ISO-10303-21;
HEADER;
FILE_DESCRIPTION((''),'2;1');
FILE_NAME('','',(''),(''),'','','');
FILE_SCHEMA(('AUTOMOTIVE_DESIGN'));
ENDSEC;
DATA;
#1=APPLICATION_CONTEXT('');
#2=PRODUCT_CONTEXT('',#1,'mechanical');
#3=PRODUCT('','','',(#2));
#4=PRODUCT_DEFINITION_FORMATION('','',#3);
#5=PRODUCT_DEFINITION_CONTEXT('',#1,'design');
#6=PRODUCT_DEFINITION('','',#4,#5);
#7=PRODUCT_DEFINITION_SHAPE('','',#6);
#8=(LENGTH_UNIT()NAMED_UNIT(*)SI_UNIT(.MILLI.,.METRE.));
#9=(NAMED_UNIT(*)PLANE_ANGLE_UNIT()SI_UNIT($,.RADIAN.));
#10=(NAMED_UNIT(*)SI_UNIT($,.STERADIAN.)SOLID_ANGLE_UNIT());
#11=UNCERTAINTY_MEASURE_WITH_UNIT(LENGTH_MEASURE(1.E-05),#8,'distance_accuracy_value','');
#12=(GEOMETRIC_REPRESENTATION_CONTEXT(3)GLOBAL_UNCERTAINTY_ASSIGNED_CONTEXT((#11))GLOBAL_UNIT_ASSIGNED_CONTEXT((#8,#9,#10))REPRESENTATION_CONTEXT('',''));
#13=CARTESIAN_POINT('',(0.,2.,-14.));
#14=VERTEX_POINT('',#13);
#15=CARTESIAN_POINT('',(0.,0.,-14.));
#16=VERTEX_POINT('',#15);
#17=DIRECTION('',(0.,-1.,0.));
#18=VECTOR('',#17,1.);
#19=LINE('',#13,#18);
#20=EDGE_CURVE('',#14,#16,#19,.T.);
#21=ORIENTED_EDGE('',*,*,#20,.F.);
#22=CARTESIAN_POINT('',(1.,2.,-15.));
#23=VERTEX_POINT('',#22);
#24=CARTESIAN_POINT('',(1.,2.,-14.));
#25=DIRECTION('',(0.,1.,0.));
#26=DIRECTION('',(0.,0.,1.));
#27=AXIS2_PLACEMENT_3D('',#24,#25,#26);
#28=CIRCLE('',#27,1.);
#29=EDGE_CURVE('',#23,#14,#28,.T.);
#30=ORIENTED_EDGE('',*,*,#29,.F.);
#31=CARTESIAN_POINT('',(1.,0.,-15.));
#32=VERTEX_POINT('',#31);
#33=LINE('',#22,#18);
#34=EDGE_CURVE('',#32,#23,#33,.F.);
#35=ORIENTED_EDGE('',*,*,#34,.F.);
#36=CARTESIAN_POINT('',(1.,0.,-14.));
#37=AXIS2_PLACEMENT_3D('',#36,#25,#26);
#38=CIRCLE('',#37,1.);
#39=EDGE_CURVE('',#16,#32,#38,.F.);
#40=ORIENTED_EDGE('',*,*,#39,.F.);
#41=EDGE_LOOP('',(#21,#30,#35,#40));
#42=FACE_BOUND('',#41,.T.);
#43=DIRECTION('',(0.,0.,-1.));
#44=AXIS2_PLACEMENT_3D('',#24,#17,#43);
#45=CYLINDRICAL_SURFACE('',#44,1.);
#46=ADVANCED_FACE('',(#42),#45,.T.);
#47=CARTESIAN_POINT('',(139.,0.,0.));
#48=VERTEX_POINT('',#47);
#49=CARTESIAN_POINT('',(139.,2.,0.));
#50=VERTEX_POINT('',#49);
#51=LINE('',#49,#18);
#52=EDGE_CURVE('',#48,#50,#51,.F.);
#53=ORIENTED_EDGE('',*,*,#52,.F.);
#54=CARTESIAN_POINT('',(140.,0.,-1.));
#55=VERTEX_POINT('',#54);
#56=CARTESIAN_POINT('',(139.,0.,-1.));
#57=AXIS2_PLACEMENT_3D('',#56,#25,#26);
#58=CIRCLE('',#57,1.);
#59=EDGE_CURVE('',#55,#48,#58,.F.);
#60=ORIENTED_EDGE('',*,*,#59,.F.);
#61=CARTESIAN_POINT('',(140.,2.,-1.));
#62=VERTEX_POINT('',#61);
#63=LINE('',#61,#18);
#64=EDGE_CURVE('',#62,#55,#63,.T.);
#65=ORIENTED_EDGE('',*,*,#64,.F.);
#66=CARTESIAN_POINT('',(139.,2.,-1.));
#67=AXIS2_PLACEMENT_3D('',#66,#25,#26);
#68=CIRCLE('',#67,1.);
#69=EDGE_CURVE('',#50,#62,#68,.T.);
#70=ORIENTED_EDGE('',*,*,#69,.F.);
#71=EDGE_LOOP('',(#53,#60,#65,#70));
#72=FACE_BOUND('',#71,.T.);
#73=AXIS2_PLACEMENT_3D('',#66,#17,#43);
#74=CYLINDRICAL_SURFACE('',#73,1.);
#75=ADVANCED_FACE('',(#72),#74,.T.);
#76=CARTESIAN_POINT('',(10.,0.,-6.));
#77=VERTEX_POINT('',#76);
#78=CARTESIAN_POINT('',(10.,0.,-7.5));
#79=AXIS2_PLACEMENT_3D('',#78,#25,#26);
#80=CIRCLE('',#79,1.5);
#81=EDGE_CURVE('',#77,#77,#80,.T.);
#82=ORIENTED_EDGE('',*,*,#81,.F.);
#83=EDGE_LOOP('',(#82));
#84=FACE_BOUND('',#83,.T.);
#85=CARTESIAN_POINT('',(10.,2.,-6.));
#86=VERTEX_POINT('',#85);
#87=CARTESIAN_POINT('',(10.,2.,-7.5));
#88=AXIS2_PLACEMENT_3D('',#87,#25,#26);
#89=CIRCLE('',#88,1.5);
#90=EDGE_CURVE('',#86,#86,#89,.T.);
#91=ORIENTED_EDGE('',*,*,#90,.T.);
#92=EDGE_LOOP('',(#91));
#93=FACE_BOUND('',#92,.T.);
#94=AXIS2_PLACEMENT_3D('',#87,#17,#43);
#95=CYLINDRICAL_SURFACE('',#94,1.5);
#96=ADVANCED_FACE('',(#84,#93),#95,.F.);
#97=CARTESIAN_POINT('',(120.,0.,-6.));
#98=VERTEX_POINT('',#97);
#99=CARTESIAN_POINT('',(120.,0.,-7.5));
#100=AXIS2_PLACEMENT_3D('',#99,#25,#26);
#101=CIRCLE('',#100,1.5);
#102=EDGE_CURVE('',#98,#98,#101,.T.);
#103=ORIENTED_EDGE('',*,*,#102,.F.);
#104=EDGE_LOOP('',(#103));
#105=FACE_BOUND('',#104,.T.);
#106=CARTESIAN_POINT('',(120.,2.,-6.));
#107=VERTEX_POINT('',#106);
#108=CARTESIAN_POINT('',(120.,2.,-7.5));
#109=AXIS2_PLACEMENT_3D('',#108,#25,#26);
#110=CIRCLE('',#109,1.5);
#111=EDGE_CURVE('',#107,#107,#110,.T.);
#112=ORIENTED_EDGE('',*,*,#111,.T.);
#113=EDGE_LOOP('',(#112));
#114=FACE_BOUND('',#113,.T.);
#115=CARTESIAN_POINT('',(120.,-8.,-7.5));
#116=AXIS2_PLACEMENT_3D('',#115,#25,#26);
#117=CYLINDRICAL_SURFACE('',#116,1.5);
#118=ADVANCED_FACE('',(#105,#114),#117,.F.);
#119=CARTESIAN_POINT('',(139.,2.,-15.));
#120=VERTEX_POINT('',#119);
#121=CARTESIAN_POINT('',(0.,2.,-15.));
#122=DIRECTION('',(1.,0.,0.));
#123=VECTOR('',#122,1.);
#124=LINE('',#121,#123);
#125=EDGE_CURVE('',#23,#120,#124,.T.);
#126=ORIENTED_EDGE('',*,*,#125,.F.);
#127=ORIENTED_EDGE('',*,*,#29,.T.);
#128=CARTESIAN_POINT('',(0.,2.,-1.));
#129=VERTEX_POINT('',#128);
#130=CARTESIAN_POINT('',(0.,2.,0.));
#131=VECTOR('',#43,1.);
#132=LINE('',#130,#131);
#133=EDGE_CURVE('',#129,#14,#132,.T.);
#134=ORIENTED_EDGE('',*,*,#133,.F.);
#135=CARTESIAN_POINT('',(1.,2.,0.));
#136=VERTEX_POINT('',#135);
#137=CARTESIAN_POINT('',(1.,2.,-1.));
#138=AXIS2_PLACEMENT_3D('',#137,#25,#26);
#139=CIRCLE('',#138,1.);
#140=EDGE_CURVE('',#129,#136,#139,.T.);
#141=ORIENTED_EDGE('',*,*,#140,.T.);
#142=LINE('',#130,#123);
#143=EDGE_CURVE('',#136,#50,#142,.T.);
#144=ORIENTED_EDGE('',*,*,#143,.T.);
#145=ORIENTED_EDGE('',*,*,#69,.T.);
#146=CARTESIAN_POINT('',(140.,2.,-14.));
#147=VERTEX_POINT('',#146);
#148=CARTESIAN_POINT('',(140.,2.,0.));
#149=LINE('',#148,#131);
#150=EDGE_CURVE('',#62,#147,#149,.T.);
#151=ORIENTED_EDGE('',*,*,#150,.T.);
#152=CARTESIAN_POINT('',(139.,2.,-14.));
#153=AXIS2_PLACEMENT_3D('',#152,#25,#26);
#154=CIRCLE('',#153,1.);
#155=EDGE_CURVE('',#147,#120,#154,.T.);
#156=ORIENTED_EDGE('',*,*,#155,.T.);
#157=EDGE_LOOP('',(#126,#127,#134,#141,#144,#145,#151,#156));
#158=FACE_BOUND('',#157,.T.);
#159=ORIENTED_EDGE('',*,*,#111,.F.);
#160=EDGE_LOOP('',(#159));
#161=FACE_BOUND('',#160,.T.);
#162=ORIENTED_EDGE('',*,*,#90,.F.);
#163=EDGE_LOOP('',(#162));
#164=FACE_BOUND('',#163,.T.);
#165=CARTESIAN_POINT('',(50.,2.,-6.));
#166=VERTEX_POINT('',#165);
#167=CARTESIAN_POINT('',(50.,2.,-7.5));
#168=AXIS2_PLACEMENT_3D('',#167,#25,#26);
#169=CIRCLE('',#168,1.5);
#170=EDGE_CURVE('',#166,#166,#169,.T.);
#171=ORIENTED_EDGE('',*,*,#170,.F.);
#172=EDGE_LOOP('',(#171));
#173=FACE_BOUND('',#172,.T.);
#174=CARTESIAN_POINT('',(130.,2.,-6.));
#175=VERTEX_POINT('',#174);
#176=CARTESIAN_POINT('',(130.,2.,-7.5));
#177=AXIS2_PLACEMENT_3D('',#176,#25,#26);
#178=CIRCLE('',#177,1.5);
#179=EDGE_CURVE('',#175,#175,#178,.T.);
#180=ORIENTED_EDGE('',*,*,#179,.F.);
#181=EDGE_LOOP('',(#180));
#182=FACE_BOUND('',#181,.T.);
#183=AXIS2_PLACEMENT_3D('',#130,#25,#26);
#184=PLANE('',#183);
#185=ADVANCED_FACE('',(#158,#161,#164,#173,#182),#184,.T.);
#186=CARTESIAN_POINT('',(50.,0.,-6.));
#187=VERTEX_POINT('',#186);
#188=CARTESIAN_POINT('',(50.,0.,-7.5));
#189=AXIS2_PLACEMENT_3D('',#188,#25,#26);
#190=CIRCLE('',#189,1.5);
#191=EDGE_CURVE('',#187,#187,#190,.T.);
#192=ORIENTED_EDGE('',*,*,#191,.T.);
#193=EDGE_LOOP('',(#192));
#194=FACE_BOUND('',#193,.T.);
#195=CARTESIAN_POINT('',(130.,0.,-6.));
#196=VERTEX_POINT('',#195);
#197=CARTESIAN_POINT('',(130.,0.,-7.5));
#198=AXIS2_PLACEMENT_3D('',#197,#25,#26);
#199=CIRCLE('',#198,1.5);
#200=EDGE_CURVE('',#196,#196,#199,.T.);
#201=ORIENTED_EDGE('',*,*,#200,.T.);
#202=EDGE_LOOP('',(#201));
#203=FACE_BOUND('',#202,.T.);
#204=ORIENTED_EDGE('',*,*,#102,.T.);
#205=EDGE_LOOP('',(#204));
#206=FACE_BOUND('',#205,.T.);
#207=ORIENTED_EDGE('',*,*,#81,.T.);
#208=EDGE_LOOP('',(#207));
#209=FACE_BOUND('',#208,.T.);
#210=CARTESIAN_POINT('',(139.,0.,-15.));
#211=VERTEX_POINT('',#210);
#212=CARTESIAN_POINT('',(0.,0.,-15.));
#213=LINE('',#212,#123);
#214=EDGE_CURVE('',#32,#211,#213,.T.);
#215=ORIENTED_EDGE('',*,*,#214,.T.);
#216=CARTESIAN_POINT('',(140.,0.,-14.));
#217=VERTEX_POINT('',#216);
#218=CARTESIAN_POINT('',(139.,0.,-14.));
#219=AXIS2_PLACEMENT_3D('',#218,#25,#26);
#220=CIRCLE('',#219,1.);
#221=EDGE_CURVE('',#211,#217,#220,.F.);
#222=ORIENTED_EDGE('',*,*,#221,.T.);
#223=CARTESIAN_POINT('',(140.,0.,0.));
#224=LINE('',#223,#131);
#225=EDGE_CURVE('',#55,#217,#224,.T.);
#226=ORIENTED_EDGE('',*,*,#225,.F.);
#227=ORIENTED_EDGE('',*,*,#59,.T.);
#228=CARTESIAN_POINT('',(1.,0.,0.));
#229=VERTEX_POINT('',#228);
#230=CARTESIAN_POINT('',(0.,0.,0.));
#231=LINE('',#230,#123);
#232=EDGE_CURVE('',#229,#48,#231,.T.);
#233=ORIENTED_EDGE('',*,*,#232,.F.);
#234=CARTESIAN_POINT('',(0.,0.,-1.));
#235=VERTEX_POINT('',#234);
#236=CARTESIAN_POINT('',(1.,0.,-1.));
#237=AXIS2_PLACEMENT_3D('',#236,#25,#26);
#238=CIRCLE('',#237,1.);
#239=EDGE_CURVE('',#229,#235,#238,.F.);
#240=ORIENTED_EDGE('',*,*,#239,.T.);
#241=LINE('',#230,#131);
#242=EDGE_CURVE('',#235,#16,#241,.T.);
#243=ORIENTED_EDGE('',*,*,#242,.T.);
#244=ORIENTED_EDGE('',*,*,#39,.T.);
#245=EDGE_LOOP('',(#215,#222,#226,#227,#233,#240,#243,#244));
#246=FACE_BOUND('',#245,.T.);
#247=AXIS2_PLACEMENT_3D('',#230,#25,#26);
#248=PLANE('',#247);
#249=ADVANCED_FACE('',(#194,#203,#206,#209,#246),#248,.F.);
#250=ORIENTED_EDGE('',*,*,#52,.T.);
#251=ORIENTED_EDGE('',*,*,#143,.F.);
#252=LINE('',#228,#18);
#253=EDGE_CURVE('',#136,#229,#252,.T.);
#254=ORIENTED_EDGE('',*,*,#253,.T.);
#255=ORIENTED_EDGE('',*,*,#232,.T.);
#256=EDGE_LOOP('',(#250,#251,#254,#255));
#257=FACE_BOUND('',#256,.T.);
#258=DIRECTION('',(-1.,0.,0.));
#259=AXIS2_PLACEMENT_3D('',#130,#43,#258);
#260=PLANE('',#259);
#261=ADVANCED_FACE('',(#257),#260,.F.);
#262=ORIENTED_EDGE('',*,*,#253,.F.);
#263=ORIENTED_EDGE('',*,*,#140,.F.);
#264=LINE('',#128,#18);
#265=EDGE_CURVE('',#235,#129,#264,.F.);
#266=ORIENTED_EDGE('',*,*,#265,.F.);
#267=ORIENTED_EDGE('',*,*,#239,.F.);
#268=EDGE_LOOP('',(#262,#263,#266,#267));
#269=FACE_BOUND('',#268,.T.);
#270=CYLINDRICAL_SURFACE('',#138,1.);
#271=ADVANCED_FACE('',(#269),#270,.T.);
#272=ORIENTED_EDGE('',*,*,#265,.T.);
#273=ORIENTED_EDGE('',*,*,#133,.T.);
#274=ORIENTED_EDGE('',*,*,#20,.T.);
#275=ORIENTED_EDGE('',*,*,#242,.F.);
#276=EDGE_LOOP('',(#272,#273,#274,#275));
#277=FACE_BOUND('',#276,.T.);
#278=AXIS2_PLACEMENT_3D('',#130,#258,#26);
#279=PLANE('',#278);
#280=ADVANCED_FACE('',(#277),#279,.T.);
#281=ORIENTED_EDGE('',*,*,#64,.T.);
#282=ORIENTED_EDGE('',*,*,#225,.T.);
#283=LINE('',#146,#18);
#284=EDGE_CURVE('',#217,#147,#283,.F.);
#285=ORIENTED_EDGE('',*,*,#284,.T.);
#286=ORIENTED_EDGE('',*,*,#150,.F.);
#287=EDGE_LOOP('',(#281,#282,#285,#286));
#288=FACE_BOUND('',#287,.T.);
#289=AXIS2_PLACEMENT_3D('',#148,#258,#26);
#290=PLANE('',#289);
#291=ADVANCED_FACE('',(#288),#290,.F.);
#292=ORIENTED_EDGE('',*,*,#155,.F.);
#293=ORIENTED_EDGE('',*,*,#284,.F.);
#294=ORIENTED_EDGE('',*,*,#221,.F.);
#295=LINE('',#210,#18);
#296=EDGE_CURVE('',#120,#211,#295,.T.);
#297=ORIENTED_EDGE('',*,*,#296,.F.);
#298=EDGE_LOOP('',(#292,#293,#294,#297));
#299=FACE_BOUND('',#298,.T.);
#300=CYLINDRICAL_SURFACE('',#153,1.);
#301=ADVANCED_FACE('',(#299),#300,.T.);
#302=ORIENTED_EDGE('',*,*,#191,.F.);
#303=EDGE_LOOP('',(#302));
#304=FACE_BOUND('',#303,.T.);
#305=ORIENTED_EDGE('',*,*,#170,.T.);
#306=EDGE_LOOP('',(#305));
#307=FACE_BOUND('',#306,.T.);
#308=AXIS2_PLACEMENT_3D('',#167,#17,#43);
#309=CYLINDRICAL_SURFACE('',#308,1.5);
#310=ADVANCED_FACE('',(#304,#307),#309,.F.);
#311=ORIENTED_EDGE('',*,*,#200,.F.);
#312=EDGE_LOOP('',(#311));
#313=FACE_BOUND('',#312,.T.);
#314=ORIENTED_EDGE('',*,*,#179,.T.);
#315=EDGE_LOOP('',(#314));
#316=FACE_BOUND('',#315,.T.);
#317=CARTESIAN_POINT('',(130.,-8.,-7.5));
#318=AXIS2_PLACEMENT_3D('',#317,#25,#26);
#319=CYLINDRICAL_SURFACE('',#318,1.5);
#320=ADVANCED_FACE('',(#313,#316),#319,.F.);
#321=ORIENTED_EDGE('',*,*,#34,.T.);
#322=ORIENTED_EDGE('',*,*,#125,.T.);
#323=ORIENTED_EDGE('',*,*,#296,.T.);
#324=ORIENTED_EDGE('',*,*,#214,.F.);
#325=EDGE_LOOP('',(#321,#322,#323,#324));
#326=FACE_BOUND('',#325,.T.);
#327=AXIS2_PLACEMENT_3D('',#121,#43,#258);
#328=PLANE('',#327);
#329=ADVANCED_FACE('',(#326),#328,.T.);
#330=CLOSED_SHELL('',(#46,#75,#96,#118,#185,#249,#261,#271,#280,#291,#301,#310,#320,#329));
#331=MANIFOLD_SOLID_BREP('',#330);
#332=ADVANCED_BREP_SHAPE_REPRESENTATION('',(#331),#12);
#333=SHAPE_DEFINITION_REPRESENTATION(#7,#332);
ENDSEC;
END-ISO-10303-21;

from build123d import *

# Parameters (mm, degrees)
BOSS_EXTRUDE1_DEPTH = 2
FILLET1_R           = 1
SKETCH2_R           = 1.5
CUT_EXTRUDE1_DEPTH  = 10


with BuildPart() as part:
    # Sketch1 → Boss-Extrude1 (new body)
    with BuildSketch(Plane(origin=(0, 0, 0), x_dir=(1, 0, 0), z_dir=(0, 1, 0))):
        with BuildLine():
            ThreePointArc((48.5, 7.5), (50, 9), (51.5, 7.5))
            Line((51.5, 7.5), (140, 7.5))
            Line((140, 7.5), (140, 15))
            Line((140, 15), (0, 15))
            Line((0, 15), (0, 7.5))
            Line((0, 7.5), (8.5, 7.5))
            ThreePointArc((8.5, 7.5), (10, 9), (11.5, 7.5))
            Line((11.5, 7.5), (48.5, 7.5))
        make_face()
        with BuildLine():
            Line((140, 7.5), (51.5, 7.5))
            ThreePointArc((51.5, 7.5), (50, 6), (48.5, 7.5))
            Line((48.5, 7.5), (11.5, 7.5))
            ThreePointArc((11.5, 7.5), (10, 6), (8.5, 7.5))
            Line((8.5, 7.5), (0, 7.5))
            Line((0, 7.5), (0, 0))
            Line((0, 0), (140, 0))
            Line((140, 0), (140, 7.5))
        make_face()
    extrude(amount=BOSS_EXTRUDE1_DEPTH)

    # Fillet1
    fillet1_edges = [part.edges().sort_by_distance(p)[0] for p in [
        (0, 1, 0),
        (0, 1, -15),
        (140, 1, -15),
        (140, 1, 0),
    ]]
    fillet(fillet1_edges, radius=FILLET1_R)

    # Sketch2 → Cut-Extrude1 (cut)
    with BuildSketch(Plane(origin=(0, 2, 0), x_dir=(1, 0, 0), z_dir=(0, 1, 0))):
        with Locations(Location((130, 7.5, 0), (0, 0, 270))):
            Circle(SKETCH2_R)
        with Locations(Location((120, 7.5, 0), (0, 0, 270))):
            Circle(SKETCH2_R)
    extrude(amount=-CUT_EXTRUDE1_DEPTH, mode=Mode.SUBTRACT)


solid = part.part
